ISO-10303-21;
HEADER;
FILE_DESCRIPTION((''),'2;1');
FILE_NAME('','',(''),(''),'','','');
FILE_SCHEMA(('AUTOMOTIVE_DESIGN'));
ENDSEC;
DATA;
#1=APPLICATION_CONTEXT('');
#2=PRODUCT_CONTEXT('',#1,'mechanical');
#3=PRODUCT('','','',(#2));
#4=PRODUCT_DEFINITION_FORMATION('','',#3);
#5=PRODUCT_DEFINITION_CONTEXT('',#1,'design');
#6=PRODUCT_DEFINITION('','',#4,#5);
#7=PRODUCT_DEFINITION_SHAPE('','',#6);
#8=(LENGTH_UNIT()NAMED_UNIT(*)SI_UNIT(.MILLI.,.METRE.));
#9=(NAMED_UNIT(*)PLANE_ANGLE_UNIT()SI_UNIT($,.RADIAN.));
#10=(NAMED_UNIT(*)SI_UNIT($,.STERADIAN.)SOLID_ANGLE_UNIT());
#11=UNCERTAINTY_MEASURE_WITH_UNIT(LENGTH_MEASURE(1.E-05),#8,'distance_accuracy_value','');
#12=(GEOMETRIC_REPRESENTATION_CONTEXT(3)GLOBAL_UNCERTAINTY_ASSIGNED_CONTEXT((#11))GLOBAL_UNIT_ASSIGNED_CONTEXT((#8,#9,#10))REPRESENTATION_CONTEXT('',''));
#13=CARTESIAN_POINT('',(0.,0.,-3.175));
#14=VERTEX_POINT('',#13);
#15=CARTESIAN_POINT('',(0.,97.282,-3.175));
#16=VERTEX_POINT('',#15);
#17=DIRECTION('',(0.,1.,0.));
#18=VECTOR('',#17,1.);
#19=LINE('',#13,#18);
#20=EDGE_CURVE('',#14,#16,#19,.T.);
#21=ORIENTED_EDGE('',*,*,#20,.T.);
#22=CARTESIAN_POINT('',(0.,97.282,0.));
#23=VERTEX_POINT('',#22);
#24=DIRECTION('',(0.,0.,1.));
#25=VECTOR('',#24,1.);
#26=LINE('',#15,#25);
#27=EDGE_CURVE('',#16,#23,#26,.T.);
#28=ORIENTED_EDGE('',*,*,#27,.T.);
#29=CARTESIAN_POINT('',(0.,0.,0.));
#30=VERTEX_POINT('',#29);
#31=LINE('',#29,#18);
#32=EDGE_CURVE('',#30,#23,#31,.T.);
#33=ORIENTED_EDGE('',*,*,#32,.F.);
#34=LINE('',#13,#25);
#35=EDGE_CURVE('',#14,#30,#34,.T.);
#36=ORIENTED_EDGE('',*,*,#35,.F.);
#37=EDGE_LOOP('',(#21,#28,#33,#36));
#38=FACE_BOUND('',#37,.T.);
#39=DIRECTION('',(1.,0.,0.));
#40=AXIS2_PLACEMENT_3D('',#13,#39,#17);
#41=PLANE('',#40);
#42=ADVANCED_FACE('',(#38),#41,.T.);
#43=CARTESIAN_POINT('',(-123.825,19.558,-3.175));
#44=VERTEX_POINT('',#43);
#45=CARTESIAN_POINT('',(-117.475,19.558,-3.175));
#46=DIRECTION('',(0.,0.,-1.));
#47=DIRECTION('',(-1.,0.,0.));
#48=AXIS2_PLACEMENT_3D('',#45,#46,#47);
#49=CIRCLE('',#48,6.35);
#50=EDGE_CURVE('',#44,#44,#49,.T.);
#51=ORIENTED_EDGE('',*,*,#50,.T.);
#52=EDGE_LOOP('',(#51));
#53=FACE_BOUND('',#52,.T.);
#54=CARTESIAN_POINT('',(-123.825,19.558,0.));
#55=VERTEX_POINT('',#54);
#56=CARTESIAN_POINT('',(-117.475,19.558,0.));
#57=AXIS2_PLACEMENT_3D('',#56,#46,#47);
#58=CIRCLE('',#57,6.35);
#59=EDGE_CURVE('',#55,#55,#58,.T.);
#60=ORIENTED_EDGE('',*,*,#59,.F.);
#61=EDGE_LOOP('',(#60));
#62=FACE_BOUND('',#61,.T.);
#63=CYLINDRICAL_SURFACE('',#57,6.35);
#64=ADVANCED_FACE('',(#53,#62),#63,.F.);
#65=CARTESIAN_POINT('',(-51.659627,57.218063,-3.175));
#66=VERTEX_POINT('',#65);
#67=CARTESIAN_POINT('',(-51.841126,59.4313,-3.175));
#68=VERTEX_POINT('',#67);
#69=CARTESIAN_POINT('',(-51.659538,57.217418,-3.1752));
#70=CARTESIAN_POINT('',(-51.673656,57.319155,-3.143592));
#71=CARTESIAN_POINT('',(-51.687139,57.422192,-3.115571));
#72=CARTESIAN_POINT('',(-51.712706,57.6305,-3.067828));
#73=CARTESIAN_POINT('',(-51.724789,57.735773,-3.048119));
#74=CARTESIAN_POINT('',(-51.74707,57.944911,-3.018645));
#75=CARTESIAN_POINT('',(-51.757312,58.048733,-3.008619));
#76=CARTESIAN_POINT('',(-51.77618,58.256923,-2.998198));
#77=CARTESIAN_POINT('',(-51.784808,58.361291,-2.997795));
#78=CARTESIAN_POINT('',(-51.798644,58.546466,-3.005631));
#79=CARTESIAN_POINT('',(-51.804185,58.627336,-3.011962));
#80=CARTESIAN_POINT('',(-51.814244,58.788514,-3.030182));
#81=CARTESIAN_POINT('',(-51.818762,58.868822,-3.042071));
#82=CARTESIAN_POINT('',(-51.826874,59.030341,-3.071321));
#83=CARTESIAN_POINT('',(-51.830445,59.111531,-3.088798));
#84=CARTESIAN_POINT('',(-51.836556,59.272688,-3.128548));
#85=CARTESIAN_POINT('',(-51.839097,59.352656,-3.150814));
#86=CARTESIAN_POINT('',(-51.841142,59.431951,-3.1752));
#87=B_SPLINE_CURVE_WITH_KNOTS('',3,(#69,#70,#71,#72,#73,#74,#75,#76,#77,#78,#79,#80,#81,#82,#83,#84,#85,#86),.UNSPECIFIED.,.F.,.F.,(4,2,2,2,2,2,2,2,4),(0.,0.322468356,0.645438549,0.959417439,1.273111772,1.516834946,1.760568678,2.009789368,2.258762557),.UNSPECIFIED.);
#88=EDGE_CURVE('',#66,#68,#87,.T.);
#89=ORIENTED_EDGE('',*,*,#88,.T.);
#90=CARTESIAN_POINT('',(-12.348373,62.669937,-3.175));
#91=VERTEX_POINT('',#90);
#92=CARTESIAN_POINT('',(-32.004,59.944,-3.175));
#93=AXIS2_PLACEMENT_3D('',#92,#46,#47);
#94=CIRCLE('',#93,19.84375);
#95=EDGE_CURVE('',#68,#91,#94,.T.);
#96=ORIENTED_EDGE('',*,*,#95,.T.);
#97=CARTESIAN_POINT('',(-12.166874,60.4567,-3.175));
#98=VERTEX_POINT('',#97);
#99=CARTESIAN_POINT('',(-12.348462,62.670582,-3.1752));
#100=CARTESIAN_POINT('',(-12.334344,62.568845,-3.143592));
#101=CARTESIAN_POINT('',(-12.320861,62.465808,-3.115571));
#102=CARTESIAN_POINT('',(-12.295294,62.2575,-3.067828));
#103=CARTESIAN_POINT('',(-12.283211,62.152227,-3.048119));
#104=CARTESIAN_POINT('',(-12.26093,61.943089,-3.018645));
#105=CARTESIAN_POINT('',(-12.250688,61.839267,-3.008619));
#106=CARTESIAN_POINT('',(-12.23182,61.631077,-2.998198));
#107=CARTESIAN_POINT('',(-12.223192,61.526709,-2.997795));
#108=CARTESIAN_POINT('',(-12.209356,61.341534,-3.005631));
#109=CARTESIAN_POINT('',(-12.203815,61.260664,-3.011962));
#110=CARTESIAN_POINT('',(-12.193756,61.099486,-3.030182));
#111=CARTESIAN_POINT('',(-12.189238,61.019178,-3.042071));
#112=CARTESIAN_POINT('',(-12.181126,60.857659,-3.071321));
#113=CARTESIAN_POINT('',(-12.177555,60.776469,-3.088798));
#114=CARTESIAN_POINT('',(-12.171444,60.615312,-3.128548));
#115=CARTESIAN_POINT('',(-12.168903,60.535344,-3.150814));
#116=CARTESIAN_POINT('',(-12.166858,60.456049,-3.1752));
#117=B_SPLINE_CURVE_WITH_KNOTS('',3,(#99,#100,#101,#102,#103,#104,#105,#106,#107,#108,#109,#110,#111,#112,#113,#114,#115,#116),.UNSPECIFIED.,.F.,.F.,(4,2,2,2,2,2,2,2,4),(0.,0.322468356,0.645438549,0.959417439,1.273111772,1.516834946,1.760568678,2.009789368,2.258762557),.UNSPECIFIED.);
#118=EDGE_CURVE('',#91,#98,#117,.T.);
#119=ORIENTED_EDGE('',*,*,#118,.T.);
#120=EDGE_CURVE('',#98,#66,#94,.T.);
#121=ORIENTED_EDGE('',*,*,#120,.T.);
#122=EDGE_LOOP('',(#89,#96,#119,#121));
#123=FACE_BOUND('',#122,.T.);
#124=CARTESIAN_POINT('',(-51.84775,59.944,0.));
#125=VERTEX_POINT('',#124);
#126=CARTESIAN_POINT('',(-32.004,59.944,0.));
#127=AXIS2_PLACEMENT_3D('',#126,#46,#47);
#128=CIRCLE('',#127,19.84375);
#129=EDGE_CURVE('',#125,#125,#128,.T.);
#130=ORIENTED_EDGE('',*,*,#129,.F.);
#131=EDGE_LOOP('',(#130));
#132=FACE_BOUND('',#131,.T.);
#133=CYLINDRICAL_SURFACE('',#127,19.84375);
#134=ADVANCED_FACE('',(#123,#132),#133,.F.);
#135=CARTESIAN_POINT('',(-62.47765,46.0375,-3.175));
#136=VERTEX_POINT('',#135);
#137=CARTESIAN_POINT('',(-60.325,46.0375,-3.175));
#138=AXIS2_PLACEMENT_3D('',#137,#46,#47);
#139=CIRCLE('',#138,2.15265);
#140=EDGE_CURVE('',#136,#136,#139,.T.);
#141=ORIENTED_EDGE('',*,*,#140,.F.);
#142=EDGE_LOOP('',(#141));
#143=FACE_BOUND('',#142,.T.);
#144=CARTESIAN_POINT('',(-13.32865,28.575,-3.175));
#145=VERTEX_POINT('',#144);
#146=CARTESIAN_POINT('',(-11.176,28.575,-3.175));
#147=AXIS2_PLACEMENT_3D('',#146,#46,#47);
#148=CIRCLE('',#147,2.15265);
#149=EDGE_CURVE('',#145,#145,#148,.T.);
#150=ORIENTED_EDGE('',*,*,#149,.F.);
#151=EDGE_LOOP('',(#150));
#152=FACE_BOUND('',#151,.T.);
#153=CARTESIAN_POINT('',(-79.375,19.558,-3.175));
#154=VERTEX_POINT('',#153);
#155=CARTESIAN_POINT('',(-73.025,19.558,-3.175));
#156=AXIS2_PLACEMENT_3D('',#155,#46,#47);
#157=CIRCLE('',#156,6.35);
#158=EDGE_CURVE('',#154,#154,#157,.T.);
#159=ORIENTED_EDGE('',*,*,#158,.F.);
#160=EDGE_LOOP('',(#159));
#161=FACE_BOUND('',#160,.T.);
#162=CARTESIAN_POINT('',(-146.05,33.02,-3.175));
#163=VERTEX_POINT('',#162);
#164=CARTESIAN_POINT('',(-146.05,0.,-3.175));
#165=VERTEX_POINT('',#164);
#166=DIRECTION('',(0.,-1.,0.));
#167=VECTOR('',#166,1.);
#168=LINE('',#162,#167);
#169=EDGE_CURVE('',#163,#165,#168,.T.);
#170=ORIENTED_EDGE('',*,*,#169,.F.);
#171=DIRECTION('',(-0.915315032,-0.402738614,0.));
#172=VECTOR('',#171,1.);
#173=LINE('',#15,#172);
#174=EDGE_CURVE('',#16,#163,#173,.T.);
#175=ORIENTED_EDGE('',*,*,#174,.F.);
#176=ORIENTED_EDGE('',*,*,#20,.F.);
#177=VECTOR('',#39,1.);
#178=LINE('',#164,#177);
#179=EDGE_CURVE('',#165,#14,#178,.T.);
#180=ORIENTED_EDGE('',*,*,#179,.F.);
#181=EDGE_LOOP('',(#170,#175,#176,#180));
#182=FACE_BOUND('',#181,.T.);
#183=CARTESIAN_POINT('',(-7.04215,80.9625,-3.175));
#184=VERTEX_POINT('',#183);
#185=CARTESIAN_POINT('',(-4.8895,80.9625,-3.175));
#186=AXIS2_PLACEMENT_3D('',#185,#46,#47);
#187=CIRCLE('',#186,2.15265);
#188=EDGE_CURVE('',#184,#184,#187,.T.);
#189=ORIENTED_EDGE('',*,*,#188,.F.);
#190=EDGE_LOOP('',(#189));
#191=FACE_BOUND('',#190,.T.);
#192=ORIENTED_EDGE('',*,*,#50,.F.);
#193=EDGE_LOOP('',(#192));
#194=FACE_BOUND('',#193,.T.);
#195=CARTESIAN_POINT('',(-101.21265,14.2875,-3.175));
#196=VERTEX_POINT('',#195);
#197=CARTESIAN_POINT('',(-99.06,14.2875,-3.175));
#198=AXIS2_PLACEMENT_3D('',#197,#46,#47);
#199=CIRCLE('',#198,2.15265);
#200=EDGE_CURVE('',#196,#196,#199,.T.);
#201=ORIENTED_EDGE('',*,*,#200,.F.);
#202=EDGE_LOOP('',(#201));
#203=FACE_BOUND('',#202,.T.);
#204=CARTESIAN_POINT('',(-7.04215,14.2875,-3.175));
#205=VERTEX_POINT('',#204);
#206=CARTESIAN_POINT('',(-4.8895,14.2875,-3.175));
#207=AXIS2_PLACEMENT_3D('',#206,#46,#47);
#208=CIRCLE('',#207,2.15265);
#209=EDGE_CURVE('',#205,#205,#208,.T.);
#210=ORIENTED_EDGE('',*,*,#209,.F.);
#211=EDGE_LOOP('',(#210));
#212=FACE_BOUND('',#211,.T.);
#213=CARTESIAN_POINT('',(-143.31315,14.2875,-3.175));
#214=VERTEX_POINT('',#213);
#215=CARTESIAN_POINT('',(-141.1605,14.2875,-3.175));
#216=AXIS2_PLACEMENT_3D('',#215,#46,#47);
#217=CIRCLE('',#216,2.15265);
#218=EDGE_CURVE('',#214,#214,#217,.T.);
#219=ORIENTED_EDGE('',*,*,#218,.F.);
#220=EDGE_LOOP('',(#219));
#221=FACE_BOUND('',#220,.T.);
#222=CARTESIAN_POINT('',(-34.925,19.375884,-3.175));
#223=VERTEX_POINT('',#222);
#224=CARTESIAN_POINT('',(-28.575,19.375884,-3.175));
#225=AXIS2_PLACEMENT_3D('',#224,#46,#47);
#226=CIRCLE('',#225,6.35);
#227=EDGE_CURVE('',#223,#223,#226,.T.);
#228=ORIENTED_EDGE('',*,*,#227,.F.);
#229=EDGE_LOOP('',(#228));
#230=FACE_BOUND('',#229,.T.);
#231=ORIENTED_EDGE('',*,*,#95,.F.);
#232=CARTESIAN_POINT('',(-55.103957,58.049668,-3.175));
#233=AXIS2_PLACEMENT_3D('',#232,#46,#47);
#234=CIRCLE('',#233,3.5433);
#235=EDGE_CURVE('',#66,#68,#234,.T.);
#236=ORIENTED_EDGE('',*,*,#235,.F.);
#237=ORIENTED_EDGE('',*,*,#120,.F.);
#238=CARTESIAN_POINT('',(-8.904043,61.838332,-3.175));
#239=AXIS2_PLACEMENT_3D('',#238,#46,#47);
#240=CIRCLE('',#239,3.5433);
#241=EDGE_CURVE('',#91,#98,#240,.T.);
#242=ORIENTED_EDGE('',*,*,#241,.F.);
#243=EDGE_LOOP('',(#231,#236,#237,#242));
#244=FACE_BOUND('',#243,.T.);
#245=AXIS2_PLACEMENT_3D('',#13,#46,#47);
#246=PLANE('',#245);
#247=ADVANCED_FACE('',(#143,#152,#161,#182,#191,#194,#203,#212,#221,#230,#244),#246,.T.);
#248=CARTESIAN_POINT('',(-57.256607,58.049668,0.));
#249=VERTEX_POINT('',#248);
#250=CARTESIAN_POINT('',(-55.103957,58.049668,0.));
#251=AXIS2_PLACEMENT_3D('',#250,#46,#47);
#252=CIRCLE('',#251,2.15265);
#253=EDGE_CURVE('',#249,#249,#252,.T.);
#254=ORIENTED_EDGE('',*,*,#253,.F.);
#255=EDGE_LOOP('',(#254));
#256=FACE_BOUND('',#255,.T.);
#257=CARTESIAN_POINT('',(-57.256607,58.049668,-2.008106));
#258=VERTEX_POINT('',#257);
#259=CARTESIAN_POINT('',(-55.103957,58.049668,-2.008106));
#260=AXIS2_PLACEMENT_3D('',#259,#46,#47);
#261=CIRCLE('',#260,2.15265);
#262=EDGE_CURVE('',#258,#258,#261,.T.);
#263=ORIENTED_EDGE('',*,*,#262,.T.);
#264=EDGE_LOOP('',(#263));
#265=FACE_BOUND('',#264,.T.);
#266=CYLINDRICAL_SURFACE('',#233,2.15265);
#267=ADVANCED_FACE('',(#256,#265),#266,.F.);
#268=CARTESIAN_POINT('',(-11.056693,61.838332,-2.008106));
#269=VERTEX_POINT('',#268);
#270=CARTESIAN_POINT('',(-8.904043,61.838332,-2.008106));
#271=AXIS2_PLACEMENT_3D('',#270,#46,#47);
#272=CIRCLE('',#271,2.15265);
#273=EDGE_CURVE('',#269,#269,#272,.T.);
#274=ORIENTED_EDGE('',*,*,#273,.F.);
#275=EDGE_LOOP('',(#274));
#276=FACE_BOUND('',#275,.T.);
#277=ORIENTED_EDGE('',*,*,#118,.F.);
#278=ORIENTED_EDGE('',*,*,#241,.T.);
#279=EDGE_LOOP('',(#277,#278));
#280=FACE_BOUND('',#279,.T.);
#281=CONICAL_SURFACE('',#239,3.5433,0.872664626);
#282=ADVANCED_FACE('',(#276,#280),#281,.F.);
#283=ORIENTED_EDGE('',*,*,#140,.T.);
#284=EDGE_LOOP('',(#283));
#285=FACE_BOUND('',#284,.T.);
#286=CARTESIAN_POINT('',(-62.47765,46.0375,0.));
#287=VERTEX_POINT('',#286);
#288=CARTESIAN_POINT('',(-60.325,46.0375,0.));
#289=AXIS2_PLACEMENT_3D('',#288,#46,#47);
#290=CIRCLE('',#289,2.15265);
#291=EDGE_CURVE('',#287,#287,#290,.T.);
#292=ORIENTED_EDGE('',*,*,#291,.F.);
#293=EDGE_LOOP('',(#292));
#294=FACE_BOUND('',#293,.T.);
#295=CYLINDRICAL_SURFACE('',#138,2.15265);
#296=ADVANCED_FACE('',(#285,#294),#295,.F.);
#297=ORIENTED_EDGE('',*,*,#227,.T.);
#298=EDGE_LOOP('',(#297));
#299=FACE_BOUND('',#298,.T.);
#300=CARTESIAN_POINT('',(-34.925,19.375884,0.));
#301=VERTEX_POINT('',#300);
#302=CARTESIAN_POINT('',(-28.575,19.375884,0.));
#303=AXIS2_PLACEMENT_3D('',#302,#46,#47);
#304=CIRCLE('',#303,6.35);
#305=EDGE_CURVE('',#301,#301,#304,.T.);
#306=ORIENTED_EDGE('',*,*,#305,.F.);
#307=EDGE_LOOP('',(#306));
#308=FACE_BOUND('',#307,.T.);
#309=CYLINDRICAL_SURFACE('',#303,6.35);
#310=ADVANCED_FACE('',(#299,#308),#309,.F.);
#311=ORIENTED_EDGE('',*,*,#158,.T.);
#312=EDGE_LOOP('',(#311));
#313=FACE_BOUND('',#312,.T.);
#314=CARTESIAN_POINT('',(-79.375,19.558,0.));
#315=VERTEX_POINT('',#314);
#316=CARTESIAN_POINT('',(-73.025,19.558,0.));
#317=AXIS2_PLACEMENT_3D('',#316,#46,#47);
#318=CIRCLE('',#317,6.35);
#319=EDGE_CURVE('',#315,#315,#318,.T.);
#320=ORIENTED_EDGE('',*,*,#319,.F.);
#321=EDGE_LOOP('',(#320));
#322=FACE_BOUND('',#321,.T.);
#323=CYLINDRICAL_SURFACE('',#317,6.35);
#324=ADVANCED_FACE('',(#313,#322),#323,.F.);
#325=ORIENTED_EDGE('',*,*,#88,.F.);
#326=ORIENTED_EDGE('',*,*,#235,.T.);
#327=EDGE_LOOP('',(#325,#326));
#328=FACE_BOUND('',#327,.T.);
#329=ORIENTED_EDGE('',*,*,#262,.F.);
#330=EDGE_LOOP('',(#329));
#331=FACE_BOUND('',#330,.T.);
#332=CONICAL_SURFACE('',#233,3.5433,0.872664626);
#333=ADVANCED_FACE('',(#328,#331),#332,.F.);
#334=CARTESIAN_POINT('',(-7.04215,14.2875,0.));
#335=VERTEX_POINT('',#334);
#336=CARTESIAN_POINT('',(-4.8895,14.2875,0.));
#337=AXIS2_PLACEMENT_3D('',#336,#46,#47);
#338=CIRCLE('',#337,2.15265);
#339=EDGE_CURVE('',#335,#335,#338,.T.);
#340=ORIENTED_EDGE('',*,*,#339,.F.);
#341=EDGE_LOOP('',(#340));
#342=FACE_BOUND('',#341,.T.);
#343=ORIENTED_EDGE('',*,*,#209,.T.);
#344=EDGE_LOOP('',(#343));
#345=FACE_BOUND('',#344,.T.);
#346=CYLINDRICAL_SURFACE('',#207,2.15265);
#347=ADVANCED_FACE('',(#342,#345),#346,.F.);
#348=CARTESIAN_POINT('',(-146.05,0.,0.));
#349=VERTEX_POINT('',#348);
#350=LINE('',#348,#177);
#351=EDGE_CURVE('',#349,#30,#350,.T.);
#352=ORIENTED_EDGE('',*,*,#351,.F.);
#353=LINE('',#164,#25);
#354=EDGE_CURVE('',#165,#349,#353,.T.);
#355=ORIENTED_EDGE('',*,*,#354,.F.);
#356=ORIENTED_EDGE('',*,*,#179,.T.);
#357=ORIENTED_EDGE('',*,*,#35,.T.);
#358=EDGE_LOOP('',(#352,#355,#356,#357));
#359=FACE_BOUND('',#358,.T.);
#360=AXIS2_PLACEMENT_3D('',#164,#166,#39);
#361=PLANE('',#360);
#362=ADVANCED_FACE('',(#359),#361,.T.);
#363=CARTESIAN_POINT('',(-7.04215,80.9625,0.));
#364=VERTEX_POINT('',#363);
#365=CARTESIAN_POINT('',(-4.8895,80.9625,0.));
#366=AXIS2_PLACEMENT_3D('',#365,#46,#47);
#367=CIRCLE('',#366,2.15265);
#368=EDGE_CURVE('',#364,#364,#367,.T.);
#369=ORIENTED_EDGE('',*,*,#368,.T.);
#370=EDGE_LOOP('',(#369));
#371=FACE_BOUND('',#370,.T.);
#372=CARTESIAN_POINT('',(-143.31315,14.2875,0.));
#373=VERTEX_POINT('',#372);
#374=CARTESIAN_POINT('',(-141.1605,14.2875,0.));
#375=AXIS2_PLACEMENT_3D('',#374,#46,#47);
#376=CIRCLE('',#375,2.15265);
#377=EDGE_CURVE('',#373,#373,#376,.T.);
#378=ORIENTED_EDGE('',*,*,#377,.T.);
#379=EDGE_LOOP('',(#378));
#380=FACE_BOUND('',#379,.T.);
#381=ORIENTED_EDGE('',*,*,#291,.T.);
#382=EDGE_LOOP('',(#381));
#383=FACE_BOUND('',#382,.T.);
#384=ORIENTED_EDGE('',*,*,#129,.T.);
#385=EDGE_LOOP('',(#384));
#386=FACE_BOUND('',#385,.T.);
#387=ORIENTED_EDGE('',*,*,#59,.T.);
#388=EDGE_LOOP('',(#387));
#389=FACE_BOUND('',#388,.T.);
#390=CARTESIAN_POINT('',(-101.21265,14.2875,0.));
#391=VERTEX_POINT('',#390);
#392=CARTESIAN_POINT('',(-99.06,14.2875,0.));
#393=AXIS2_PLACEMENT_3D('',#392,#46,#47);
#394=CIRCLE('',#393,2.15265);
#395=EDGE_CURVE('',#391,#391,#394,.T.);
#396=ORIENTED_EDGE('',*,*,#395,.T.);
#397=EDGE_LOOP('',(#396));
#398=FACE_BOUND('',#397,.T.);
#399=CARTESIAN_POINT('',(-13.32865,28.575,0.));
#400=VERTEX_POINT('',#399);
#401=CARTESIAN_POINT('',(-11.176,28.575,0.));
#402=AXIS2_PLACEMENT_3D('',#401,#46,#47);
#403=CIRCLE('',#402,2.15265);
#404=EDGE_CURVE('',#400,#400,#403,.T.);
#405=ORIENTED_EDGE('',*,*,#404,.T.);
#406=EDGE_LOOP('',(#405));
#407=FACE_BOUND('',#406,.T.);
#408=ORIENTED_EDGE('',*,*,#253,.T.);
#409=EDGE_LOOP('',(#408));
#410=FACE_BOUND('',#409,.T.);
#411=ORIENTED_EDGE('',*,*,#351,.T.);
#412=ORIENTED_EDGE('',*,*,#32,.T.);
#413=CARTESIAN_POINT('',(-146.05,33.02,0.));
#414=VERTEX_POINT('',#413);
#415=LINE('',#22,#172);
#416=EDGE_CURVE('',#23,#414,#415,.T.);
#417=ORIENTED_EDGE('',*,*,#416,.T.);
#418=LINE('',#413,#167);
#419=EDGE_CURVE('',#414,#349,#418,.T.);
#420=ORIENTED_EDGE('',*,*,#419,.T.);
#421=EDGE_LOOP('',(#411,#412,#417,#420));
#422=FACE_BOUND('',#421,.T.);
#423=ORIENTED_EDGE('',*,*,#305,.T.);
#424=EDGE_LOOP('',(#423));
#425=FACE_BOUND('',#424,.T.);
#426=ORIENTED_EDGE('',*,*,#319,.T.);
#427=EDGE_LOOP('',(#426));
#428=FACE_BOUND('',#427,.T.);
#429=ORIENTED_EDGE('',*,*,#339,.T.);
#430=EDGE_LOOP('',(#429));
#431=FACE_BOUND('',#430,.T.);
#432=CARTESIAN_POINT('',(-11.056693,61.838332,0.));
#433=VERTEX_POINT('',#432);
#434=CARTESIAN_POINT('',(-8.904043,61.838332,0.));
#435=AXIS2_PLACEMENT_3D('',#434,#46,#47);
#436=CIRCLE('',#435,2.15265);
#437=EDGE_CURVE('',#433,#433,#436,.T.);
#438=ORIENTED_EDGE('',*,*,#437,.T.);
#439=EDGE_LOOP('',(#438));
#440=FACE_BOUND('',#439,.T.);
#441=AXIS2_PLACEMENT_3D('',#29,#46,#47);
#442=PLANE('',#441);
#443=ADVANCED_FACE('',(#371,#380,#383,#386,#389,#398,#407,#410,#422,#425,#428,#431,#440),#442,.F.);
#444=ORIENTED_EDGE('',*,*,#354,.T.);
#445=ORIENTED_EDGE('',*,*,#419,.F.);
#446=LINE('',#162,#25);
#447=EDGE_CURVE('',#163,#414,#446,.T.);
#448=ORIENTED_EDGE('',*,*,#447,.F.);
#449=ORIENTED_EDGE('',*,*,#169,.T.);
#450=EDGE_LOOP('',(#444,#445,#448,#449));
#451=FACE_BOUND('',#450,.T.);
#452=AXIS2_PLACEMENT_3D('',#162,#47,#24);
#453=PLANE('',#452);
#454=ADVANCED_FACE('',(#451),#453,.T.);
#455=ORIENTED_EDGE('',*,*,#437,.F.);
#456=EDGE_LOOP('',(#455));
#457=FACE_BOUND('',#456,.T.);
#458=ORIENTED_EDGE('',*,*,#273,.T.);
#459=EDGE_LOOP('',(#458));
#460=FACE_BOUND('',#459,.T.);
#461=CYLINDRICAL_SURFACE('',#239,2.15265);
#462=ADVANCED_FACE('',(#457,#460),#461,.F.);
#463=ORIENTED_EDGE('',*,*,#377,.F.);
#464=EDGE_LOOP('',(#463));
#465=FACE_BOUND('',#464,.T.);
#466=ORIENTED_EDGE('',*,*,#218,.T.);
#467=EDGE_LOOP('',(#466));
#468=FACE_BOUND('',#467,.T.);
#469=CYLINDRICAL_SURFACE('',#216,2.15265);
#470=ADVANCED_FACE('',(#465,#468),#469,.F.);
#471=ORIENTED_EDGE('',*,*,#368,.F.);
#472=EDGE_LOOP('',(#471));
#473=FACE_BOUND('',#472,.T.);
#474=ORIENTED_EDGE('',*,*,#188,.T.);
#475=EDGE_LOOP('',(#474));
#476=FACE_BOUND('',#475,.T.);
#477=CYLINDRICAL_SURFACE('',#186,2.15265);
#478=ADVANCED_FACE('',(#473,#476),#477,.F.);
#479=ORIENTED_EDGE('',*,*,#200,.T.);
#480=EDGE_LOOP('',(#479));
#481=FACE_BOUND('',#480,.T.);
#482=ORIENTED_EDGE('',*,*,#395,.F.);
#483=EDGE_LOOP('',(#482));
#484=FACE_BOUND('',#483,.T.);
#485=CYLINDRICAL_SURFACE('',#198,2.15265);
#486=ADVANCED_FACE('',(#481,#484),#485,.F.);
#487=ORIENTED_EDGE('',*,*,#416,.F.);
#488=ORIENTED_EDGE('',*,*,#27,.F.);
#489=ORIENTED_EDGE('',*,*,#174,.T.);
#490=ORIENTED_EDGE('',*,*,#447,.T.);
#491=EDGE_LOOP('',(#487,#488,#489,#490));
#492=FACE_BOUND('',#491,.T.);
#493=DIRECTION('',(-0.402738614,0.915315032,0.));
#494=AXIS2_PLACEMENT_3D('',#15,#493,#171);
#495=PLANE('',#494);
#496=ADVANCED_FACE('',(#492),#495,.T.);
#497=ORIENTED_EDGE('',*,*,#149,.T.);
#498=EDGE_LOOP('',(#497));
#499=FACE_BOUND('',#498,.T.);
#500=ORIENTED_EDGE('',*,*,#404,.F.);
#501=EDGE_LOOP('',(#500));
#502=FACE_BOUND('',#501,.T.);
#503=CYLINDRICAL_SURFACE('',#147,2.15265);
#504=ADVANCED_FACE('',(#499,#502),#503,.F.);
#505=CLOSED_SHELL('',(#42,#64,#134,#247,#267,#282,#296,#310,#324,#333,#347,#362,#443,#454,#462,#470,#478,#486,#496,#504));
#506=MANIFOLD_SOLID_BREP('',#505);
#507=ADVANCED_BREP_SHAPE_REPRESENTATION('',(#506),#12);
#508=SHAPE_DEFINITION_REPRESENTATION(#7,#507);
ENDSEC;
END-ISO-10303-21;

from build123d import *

# Parameters (mm, degrees)
BOSS_EXTRUDE1_DEPTH                               = 3.175
F_6_CLEARANCE_HOLE1_D                             = 4.3053
SKETCH7_R                                         = 19.84375
SKETCH7_R_2                                       = 6.35
CUT_EXTRUDE1_DEPTH                                = 4.175
CSK_FOR_6_FLAT_HEAD_MACHINE_SCREW_100_D           = 4.3053
CSK_FOR_6_FLAT_HEAD_MACHINE_SCREW_100_DEPTH       = 3.175
CSK_FOR_6_FLAT_HEAD_MACHINE_SCREW_100_CSINK_D     = 7.0866
CSK_FOR_6_FLAT_HEAD_MACHINE_SCREW_100_CSINK_ANGLE = 100


with BuildPart() as part:
    # Sketch1 → Boss-Extrude1 (new body)
    with BuildSketch(Plane.XY):
        Polygon((0, 97.282), (-146.05, 33.02), (-146.05, 0), (0, 0), align=None)
    extrude(amount=-BOSS_EXTRUDE1_DEPTH)

    # #6 Clearance Hole1 (through all)
    with Locations(Plane(origin=(0, 0, -3.175), x_dir=(-1, 0, 0), z_dir=(0, 0, -1))):
        with Locations((4.8895, 80.9625), (4.8895, 14.2875), (141.1605, 14.2875), (11.176, 28.575), (60.325, 46.0375), (99.06, 14.2875)):
            Hole(F_6_CLEARANCE_HOLE1_D / 2)

    # Sketch7 → Cut-Extrude1 (cut, through all)
    with BuildSketch(Plane(origin=(0, 0, -3.175), x_dir=(-1, 0, 0), z_dir=(0, 0, -1))):
        with Locations((32.004, 59.944)):
            Circle(SKETCH7_R)
        with Locations((28.575, 19.375884027)):
            Circle(SKETCH7_R_2)
        with Locations((73.025, 19.558)):
            Circle(SKETCH7_R_2)
        with Locations((117.475, 19.558)):
            Circle(SKETCH7_R_2)
    extrude(amount=-CUT_EXTRUDE1_DEPTH, mode=Mode.SUBTRACT)

    # CSK for #6 Flat Head Machine Screw (100)1
    with Locations(Plane(origin=(0, 0, -3.175), x_dir=(-1, 0, 0), z_dir=(0, 0, -1))):
        with Locations((8.904042987, 61.838331605), (55.103957013, 58.049668395)):
            CounterSinkHole(CSK_FOR_6_FLAT_HEAD_MACHINE_SCREW_100_D / 2, CSK_FOR_6_FLAT_HEAD_MACHINE_SCREW_100_CSINK_D / 2, depth=CSK_FOR_6_FLAT_HEAD_MACHINE_SCREW_100_DEPTH, counter_sink_angle=CSK_FOR_6_FLAT_HEAD_MACHINE_SCREW_100_CSINK_ANGLE)


solid = part.part
